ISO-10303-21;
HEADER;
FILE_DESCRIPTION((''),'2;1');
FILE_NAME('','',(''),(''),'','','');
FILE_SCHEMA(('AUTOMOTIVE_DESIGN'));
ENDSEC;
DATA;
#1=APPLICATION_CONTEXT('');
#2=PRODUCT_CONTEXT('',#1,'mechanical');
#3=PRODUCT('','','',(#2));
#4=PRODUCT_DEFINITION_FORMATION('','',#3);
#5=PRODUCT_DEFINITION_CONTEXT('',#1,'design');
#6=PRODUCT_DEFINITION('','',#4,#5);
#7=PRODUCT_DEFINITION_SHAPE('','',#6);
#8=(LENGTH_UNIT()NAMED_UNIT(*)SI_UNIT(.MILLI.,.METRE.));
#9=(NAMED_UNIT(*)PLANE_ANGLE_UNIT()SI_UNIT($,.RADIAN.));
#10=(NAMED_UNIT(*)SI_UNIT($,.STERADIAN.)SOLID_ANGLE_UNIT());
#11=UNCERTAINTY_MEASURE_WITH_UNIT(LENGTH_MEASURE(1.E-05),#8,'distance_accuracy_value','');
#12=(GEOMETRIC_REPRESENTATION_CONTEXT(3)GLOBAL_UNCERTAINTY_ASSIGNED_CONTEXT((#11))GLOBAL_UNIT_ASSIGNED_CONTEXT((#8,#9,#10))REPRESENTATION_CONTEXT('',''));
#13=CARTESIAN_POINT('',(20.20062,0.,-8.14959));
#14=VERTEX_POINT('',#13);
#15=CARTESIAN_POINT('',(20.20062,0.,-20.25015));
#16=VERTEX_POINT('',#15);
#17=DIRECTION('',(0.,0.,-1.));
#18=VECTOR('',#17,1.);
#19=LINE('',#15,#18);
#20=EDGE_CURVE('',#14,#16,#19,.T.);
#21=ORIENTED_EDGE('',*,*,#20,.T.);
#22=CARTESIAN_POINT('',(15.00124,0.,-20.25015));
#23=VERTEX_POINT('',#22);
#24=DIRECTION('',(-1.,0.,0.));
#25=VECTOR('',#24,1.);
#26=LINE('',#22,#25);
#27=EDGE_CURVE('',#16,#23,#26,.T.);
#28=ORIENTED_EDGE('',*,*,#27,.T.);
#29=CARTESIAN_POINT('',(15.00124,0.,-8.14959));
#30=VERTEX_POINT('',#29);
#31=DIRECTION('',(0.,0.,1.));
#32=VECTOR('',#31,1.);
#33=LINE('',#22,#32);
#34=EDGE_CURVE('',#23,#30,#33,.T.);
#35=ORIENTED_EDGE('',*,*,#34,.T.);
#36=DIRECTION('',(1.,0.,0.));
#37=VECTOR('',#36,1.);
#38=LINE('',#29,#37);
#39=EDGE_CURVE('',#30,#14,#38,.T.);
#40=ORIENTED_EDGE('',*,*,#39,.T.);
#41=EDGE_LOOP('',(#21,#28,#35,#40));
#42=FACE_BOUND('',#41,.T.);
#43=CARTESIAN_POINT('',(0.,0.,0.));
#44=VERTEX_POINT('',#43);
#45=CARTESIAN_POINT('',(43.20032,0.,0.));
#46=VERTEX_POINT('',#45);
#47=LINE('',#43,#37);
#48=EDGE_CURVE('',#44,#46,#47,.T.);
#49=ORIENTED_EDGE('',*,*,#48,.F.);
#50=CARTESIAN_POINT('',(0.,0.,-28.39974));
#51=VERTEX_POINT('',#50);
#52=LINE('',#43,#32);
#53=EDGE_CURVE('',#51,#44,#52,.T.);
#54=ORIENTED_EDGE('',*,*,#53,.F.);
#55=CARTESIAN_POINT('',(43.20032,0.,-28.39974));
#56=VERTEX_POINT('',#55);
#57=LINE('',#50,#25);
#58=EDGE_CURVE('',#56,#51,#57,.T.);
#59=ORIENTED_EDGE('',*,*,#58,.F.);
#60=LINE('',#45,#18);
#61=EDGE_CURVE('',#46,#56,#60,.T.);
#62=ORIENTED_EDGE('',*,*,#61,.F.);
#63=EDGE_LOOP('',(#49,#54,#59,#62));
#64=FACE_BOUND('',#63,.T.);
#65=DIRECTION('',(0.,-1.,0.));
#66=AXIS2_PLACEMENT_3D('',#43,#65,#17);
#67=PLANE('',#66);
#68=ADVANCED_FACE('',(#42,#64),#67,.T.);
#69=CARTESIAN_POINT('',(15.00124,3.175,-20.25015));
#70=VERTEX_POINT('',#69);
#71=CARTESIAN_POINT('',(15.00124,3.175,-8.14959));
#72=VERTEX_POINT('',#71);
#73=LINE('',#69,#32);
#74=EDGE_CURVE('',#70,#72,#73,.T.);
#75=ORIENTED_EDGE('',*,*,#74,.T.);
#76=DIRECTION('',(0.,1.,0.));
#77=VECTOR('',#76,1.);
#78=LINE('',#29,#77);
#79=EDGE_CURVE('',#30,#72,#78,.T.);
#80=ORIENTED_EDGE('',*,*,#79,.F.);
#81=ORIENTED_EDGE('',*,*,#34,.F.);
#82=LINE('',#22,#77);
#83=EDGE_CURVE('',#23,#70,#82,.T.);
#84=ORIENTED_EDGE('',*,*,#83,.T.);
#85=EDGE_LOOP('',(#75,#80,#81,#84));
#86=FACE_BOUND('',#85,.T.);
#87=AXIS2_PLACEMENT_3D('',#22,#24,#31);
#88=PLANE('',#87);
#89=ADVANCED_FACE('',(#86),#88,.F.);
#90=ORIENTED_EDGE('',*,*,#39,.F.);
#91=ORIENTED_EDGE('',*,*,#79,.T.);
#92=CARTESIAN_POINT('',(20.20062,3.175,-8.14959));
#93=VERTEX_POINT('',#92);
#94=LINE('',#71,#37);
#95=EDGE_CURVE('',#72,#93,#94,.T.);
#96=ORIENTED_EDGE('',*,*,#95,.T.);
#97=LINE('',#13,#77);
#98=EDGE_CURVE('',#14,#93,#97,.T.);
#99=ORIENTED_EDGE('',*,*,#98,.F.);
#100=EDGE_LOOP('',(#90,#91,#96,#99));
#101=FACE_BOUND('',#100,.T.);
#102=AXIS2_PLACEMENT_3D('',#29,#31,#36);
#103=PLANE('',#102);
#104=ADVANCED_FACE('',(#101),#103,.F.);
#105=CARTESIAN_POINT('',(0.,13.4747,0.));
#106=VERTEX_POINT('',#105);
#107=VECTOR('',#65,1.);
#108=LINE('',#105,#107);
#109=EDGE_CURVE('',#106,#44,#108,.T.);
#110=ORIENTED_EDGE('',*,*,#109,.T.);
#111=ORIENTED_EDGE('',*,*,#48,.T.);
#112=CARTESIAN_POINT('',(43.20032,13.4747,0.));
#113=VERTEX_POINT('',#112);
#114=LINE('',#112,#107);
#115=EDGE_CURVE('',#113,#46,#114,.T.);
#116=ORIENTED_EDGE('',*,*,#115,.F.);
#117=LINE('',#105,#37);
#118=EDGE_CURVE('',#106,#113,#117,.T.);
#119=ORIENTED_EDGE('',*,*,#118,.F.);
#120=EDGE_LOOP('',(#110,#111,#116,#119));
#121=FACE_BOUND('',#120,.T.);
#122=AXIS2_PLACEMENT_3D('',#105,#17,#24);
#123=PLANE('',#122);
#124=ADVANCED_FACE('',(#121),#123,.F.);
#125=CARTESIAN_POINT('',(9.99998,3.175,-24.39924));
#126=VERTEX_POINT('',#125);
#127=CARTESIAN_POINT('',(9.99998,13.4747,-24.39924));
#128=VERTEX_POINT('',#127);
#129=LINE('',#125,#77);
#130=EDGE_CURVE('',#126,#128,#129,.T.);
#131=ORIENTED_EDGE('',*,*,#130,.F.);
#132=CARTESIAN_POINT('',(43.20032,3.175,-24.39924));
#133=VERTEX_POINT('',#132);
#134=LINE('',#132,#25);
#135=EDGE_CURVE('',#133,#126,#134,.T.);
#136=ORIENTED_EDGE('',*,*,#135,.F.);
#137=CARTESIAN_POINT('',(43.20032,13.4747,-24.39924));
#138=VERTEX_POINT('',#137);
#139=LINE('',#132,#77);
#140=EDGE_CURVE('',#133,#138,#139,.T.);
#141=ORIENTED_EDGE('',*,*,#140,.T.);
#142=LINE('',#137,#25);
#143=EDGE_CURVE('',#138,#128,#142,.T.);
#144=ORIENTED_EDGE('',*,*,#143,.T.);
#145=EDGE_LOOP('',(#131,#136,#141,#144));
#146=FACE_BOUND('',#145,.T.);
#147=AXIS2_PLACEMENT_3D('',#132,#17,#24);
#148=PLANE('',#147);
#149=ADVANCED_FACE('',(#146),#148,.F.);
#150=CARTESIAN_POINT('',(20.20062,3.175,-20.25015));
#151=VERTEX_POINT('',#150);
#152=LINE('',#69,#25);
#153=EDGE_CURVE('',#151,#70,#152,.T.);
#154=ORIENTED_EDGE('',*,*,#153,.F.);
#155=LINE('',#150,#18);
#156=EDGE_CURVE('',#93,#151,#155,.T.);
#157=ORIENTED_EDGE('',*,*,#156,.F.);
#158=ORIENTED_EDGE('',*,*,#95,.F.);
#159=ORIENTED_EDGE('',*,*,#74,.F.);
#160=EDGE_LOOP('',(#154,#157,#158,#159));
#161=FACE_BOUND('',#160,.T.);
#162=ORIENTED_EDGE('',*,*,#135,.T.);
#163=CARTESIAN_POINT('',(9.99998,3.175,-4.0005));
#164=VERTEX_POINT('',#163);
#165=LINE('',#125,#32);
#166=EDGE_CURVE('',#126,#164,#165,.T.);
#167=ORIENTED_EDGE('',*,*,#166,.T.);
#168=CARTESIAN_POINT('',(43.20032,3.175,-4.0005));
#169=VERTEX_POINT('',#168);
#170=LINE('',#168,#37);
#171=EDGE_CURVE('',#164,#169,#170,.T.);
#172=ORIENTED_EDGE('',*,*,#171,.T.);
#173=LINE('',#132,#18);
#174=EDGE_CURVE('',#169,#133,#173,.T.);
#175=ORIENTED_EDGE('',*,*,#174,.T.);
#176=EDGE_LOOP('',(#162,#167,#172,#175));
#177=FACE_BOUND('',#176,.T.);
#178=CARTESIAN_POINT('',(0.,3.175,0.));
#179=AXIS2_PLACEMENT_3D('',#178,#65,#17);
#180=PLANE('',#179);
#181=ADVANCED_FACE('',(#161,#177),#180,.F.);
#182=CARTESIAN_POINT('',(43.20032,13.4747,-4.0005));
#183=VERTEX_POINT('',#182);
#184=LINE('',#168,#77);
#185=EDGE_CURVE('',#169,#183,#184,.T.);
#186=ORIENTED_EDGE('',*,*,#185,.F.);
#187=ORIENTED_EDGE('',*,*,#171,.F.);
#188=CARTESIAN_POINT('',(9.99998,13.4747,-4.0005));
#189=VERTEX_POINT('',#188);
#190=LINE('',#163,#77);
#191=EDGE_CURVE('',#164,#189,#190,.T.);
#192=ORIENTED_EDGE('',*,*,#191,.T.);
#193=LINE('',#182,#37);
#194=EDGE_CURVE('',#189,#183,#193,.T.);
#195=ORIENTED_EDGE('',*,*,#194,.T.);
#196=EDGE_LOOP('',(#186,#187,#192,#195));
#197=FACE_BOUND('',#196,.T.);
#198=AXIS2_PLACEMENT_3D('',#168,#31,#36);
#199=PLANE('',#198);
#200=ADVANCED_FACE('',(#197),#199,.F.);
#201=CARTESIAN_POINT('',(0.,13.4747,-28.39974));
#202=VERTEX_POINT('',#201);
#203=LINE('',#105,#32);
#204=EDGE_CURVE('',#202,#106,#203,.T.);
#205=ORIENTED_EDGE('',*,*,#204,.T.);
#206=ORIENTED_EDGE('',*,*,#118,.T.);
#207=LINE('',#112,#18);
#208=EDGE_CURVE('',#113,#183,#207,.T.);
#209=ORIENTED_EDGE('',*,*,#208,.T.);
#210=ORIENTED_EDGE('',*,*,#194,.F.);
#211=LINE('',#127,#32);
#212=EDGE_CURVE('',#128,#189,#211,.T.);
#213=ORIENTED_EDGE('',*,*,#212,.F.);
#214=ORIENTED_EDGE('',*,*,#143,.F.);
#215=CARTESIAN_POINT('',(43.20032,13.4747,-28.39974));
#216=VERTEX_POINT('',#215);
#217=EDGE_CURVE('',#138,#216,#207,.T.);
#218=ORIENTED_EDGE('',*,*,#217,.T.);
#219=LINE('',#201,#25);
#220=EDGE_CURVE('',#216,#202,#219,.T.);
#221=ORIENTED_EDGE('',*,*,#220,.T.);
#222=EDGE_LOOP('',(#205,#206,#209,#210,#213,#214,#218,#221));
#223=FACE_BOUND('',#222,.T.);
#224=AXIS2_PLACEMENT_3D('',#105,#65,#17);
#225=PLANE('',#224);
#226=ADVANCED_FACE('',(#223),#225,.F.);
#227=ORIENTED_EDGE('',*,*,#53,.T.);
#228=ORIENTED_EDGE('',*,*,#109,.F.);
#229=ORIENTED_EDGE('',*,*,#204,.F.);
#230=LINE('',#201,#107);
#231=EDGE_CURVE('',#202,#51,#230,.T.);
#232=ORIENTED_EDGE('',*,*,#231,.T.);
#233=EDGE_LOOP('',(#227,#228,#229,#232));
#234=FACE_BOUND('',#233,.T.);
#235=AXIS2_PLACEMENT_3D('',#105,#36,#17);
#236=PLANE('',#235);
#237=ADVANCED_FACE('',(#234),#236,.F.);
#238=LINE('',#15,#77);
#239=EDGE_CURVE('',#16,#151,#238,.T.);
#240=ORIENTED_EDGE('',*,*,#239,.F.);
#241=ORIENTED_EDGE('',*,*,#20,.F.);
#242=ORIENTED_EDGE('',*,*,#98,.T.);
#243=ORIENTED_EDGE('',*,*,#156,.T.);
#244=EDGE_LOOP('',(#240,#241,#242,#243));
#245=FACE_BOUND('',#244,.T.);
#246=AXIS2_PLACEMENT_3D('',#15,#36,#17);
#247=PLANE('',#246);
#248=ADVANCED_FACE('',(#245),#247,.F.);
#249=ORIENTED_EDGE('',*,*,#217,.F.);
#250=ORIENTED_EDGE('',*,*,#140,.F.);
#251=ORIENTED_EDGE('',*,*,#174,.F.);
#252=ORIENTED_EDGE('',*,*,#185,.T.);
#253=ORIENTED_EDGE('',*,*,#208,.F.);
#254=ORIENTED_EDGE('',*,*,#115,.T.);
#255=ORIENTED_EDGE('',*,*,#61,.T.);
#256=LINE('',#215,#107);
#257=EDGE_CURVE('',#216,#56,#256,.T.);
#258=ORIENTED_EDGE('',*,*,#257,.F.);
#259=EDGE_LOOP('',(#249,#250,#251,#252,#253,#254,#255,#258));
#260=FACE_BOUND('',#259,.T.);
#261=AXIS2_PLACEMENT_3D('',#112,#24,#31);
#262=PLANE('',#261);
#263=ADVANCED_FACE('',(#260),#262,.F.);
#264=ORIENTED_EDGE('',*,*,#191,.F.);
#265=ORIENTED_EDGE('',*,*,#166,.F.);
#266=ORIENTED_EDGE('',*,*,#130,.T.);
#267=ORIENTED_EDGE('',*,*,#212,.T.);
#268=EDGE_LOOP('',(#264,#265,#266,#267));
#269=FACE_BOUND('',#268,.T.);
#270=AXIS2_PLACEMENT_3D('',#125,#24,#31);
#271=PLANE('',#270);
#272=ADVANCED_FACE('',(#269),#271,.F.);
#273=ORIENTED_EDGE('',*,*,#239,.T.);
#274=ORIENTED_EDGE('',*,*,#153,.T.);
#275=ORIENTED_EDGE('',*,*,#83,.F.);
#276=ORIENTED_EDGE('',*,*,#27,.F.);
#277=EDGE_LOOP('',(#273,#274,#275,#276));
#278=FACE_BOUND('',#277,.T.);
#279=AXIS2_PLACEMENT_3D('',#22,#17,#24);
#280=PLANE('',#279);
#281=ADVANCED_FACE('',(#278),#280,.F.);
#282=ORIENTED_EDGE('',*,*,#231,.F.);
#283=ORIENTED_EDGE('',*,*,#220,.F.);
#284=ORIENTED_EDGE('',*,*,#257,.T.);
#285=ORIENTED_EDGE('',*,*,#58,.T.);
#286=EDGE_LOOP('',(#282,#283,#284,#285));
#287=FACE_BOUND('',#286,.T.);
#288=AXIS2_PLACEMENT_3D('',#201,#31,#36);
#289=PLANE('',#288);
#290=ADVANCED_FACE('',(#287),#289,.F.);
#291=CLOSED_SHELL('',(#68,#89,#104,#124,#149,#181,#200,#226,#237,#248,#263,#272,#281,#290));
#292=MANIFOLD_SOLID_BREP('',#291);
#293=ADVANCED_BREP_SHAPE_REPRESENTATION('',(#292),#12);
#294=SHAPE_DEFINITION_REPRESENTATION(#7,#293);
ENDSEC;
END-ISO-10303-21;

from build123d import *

# Parameters (mm, degrees)
SKETCH1_W           = 43.20032
SKETCH1_H           = 28.39974
BOSS_EXTRUDE1_DEPTH = 13.4747
SKETCH2_W           = 33.20034
SKETCH2_H           = 20.39874
CUT_EXTRUDE1_DEPTH  = 10.2997
SKETCH3_W           = 5.19938
SKETCH3_H           = 12.10056
CUT_EXTRUDE2_DEPTH  = 53.715241631


with BuildPart() as part:
    # Sketch1 → Boss-Extrude1 (new body)
    with BuildSketch(Plane(origin=(0, 0, 0), x_dir=(1, 0, 0), z_dir=(0, 1, 0))):
        with Locations((21.60016, 14.19987)):
            Rectangle(SKETCH1_W, SKETCH1_H)
    extrude(amount=BOSS_EXTRUDE1_DEPTH)

    # Sketch2 → Cut-Extrude1 (cut)
    with BuildSketch(Plane(origin=(0, 13.4747, 0), x_dir=(1, 0, 0), z_dir=(0, 1, 0))):
        with Locations((26.60015, 14.19987)):
            Rectangle(SKETCH2_W, SKETCH2_H)
    extrude(amount=-CUT_EXTRUDE1_DEPTH, mode=Mode.SUBTRACT)

    # Sketch3 → Cut-Extrude2 (cut, through all)
    with BuildSketch(Plane(origin=(0, 3.175, 0), x_dir=(1, 0, 0), z_dir=(0, 1, 0))):
        with Locations((17.60093, 14.19987)):
            Rectangle(SKETCH3_W, SKETCH3_H)
    extrude(amount=-CUT_EXTRUDE2_DEPTH, mode=Mode.SUBTRACT)


solid = part.part
